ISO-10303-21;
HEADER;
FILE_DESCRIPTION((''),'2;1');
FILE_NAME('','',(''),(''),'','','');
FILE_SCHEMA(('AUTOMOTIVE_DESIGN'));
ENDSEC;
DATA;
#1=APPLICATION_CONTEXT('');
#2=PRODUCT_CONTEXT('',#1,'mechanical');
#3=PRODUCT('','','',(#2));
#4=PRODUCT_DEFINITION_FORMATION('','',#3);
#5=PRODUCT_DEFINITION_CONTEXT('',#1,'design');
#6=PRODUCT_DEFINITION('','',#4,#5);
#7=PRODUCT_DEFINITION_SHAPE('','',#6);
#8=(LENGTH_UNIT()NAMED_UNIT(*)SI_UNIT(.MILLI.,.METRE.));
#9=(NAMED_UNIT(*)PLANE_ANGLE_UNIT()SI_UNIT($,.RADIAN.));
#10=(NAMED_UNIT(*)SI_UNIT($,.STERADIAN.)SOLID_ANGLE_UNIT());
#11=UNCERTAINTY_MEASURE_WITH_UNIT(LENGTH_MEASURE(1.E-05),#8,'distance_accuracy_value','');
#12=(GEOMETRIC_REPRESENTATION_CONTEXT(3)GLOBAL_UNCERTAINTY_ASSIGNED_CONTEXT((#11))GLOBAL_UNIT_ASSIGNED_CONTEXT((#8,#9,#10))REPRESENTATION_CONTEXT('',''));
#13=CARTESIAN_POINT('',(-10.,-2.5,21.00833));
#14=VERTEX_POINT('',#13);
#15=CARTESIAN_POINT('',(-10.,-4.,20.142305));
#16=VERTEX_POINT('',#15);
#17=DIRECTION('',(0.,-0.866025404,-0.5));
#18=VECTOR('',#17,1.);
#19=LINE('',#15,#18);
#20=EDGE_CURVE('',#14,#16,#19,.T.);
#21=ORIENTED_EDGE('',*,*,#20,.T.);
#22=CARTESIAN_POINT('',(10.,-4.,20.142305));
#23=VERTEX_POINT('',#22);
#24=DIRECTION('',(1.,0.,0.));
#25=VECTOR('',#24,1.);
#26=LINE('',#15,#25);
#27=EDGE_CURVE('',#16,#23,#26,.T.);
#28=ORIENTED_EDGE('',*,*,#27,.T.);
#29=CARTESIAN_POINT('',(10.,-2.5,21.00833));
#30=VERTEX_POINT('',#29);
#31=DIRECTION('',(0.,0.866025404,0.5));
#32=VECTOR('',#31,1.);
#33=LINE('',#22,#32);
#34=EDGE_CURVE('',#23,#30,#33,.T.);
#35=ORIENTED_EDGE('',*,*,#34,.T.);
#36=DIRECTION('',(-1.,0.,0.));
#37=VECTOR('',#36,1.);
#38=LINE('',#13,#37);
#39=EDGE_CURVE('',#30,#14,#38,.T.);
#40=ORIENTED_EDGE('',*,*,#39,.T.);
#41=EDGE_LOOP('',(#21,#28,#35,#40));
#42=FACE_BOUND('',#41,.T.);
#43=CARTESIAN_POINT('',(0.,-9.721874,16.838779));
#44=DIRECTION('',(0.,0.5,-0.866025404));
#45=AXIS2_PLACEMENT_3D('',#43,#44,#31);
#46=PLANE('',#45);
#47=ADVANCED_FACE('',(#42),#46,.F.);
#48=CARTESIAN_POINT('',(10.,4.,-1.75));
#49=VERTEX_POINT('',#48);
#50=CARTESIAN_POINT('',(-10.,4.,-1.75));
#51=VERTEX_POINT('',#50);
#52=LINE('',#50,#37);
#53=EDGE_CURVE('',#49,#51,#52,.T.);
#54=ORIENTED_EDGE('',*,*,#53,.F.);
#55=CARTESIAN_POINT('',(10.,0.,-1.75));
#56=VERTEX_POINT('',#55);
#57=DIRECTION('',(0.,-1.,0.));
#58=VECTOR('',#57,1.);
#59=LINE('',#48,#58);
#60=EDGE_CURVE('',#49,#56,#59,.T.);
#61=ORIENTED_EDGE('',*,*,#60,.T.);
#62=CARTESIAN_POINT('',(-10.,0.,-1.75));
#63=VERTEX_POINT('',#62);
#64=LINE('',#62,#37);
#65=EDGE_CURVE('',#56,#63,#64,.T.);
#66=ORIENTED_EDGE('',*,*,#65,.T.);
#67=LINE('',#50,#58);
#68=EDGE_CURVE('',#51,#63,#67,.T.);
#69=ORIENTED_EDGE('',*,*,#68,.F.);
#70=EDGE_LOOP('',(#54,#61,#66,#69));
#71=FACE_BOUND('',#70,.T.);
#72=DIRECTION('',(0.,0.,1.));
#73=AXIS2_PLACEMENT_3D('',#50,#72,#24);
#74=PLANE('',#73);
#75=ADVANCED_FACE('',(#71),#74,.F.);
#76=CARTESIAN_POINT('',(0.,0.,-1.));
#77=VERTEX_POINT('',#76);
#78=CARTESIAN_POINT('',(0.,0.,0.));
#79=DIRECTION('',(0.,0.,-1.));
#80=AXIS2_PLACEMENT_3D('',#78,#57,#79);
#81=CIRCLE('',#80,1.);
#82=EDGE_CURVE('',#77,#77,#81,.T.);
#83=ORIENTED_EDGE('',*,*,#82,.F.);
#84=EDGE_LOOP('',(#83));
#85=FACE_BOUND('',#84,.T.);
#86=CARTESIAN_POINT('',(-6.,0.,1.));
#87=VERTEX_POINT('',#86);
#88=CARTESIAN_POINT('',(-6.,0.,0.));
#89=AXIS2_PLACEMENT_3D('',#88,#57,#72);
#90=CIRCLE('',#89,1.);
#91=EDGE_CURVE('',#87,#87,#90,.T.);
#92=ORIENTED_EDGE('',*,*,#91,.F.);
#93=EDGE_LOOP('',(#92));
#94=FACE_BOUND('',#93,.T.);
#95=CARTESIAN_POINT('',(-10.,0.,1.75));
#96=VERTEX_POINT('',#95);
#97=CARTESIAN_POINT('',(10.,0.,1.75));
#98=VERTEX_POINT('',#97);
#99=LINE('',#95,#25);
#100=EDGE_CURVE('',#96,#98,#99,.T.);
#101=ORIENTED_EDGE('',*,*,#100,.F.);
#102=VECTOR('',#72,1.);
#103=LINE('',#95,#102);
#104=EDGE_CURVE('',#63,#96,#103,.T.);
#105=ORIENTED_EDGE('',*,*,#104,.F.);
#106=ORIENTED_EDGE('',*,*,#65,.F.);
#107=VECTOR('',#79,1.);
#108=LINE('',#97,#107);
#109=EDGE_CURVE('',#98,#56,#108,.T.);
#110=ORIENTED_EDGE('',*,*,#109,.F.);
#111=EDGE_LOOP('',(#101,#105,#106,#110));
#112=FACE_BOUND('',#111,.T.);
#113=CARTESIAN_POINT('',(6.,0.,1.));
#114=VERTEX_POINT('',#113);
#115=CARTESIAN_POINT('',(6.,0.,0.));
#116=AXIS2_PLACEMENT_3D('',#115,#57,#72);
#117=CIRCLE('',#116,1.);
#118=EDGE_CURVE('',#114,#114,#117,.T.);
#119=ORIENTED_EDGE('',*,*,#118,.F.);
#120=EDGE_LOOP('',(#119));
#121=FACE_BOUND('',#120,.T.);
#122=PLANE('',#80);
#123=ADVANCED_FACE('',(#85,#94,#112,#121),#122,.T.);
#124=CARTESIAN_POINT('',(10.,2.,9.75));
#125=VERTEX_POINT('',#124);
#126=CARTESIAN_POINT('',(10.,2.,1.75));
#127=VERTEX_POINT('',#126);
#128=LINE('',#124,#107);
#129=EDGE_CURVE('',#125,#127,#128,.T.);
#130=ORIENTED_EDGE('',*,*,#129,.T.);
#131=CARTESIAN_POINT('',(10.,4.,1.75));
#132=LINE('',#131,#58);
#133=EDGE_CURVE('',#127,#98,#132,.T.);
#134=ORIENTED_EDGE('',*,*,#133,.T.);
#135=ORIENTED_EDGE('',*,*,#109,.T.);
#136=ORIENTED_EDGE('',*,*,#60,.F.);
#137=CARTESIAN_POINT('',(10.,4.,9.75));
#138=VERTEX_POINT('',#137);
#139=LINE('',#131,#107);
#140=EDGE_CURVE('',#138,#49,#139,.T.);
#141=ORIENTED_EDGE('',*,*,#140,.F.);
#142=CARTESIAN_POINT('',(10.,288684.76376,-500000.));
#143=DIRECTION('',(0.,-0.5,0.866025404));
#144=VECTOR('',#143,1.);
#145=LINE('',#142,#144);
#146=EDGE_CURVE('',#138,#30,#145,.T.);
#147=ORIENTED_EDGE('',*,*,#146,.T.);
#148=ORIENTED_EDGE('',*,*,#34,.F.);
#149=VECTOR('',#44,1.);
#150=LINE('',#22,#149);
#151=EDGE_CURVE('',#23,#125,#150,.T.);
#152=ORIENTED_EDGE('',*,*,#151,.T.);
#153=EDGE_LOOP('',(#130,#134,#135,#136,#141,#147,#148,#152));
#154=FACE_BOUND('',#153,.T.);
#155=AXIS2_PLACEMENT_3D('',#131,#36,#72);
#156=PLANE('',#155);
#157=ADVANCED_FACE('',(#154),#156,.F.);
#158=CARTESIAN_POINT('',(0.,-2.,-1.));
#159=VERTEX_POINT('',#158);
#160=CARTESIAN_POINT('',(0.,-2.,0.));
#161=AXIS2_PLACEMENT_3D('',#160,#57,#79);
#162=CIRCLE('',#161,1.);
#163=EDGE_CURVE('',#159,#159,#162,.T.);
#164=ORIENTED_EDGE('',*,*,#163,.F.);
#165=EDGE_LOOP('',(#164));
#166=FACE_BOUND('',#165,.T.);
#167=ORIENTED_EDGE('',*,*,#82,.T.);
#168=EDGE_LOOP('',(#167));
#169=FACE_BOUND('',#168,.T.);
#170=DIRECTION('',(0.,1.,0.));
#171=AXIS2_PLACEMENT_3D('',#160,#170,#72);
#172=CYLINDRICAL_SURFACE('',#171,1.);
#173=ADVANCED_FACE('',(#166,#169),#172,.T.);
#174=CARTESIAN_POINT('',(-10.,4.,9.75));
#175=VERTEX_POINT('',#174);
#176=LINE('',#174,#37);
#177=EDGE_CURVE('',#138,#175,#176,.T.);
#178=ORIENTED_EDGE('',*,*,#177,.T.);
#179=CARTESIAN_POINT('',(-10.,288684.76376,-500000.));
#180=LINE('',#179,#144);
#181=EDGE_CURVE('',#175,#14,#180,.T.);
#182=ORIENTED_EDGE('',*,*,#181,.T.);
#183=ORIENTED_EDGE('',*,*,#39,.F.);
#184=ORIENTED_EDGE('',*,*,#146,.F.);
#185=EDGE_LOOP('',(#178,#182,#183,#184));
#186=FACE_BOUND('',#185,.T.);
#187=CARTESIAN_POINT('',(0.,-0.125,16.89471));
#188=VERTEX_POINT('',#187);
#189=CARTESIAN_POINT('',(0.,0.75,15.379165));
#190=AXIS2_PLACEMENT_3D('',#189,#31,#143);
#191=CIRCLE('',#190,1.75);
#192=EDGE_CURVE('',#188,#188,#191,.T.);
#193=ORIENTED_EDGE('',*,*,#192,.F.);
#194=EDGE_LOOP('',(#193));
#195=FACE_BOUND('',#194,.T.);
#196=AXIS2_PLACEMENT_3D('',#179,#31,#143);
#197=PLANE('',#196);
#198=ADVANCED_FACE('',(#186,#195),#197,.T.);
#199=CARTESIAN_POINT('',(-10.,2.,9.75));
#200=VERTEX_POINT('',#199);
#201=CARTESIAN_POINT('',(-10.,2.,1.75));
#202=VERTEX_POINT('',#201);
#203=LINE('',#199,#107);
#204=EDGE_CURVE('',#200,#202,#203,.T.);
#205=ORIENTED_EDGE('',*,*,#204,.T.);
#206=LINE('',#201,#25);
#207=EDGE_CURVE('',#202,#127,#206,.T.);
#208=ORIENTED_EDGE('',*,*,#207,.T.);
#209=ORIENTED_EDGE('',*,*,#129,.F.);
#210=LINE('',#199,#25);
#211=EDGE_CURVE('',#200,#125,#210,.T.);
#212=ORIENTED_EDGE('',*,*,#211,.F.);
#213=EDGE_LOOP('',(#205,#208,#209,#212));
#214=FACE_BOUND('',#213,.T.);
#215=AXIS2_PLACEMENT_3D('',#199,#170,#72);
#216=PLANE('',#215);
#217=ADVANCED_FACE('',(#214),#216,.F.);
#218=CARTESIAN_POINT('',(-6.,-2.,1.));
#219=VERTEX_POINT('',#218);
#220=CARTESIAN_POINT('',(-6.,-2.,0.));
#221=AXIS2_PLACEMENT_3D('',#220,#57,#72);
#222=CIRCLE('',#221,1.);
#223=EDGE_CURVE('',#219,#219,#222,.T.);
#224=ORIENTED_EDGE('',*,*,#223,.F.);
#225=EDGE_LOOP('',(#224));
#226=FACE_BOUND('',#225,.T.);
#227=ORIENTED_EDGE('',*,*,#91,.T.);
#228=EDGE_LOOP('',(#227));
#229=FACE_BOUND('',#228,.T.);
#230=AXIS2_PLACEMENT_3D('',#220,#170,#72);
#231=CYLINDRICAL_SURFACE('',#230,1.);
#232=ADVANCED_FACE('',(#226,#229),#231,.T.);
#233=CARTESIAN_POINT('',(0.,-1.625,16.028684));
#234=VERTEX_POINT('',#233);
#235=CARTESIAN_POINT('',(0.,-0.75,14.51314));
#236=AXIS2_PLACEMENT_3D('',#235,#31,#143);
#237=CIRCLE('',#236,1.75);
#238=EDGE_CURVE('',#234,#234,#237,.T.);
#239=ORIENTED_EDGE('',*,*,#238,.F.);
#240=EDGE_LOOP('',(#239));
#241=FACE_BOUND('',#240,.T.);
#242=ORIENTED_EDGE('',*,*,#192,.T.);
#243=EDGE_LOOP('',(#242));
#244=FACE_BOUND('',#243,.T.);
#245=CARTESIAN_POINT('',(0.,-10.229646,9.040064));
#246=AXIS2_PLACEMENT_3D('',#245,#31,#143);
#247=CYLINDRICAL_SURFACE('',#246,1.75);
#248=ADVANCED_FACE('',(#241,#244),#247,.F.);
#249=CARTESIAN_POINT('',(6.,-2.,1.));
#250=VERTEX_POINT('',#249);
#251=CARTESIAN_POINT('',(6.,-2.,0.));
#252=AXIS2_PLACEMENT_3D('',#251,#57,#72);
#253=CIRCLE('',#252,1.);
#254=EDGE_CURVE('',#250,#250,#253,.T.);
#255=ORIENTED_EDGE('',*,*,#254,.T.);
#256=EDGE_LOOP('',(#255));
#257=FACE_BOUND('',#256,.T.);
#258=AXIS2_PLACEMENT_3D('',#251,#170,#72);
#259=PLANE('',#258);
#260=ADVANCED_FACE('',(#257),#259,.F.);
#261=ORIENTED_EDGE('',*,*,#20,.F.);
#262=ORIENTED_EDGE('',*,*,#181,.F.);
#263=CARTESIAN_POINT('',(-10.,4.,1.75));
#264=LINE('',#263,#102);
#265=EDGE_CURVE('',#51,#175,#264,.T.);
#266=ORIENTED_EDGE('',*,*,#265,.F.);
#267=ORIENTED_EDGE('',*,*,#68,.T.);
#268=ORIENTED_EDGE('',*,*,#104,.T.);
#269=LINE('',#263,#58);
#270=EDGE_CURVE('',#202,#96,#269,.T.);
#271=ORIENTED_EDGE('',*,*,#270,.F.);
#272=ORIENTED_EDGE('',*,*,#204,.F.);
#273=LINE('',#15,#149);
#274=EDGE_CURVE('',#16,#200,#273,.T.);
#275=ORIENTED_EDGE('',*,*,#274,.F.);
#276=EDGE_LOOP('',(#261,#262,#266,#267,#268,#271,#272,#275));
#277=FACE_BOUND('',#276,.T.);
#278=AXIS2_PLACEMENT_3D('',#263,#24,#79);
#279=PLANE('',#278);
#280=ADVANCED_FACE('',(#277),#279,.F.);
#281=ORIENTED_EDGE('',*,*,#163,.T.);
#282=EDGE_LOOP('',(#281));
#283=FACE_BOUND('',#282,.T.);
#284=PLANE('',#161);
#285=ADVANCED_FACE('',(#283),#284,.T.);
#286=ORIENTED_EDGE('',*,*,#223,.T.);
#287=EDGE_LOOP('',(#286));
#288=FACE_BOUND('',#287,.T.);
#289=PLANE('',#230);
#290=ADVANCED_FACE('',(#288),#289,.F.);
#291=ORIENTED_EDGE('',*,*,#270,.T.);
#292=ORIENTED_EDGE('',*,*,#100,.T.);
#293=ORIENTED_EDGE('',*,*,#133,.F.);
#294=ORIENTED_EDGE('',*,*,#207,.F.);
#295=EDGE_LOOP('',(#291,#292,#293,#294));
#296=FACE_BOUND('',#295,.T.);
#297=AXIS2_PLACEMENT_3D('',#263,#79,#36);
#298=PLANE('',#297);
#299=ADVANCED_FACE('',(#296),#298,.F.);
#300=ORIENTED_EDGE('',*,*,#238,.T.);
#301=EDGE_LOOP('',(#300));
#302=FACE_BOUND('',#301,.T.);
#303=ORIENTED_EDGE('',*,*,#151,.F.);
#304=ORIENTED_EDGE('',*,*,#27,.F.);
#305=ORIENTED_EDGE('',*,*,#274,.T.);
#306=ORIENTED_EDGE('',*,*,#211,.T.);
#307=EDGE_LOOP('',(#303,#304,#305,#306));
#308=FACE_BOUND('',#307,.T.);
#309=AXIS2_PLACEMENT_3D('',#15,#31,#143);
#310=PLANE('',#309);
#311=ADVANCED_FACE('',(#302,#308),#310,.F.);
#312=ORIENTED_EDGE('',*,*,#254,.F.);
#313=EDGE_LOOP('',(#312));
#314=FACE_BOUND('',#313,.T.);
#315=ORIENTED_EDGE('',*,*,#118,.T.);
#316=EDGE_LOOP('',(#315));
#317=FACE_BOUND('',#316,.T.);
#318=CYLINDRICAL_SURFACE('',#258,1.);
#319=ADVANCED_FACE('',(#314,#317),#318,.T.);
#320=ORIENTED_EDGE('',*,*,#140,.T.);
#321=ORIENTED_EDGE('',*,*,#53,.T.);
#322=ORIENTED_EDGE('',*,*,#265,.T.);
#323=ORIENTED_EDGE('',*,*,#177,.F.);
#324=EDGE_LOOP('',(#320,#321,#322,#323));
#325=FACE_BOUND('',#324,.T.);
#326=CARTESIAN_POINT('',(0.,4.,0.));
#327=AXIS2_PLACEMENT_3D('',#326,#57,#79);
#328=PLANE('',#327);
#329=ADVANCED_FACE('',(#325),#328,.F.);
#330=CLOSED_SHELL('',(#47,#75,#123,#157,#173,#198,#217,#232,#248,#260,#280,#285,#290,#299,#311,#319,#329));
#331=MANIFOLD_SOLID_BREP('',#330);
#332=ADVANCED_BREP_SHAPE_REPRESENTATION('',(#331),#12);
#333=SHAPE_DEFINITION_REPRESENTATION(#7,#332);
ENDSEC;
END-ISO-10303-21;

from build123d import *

# Parameters (mm, degrees)
CROQUIS1_W                          = 20
CROQUIS1_H                          = 3.5
SALIENTE_EXTRUIR1_DEPTH             = 4
CROQUIS2_R                          = 1
SALIENTE_EXTRUIR2_DEPTH             = 2
CROQUIS3_W                          = 20
CROQUIS3_H                          = 2
SALIENTE_EXTRUIR3_DEPTH             = 8
CROQUIS4_W                          = 20
CROQUIS4_H                          = 1.732050807
SALIENTE_EXTRUIR4_DEPTH             = 12
SALIENTE_EXTRUIR4_DIRECTION_2_REACH = 17.06
CROQUIS5_R                          = 1.75
CORTAR_EXTRUIR1_DEPTH               = 23.571551689


with BuildPart() as part:
    # Croquis1 → Saliente-Extruir1 (new body)
    with BuildSketch(Plane(origin=(0, 0, 0), x_dir=(1, 0, 0), z_dir=(0, 1, 0))):
        Rectangle(CROQUIS1_W, CROQUIS1_H)
    extrude(amount=SALIENTE_EXTRUIR1_DEPTH)

    # Croquis2 → Saliente-Extruir2 (add)
    with BuildSketch(Plane.XZ):
        with Locations(Location((0, 0, 0), (0, 0, 270))):
            Circle(CROQUIS2_R)
        with Locations(Location((-6, 0, 0), (0, 0, 90))):
            Circle(CROQUIS2_R)
        with Locations(Location((6, 0, 0), (0, 0, 90))):
            Circle(CROQUIS2_R)
    extrude(amount=SALIENTE_EXTRUIR2_DEPTH)

    # Croquis3 → Saliente-Extruir3 (add)
    with BuildSketch(Plane.XY.offset(1.75)):
        with Locations((0, 3)):
            Rectangle(CROQUIS3_W, CROQUIS3_H)
    extrude(amount=SALIENTE_EXTRUIR3_DEPTH)

    # Croquis4 → Saliente-Extruir4 (add)
    with BuildSketch(Plane(origin=(0, -3.721873843, 6.446474596), x_dir=(1, 0, 0), z_dir=(0, -0.500000000000001, 0.866025403784438))):
        with Locations((0, 7.473076212)):
            Rectangle(CROQUIS4_W, CROQUIS4_H)
    extrude(amount=SALIENTE_EXTRUIR4_DEPTH)

    # Croquis4 → Saliente-Extruir4 direction 2 (add, up to next)
    with BuildSketch(Plane(origin=(0, -3.721873843, 6.446474596), x_dir=(1, 0, 0), z_dir=(0, -0.500000000000001, 0.866025403784438)), mode=Mode.PRIVATE) as saliente_extruir4_direction_2_sk1:
        with Locations((0, 7.473076212)):
            Rectangle(CROQUIS4_W, CROQUIS4_H)
    saliente_extruir4_direction_2_tool1 = extrude(saliente_extruir4_direction_2_sk1.sketch, amount=-SALIENTE_EXTRUIR4_DIRECTION_2_REACH, mode=Mode.PRIVATE) - part.part
    add(saliente_extruir4_direction_2_tool1.solids().sort_by_distance((0, 2.75, 10.183013))[0])

    # Croquis5 → Cortar-Extruir1 (cut, through all)
    with BuildSketch(Plane(origin=(0, 7.221873843, 4.169550808), x_dir=(1, 0, 0), z_dir=(0, 0.8660254037844382, 0.500000000000001))):
        with Locations(Location((0, -12.943747687, 0), (0, 0, 270))):
            Circle(CROQUIS5_R)
    extrude(amount=-CORTAR_EXTRUIR1_DEPTH, mode=Mode.SUBTRACT)


solid = part.part
